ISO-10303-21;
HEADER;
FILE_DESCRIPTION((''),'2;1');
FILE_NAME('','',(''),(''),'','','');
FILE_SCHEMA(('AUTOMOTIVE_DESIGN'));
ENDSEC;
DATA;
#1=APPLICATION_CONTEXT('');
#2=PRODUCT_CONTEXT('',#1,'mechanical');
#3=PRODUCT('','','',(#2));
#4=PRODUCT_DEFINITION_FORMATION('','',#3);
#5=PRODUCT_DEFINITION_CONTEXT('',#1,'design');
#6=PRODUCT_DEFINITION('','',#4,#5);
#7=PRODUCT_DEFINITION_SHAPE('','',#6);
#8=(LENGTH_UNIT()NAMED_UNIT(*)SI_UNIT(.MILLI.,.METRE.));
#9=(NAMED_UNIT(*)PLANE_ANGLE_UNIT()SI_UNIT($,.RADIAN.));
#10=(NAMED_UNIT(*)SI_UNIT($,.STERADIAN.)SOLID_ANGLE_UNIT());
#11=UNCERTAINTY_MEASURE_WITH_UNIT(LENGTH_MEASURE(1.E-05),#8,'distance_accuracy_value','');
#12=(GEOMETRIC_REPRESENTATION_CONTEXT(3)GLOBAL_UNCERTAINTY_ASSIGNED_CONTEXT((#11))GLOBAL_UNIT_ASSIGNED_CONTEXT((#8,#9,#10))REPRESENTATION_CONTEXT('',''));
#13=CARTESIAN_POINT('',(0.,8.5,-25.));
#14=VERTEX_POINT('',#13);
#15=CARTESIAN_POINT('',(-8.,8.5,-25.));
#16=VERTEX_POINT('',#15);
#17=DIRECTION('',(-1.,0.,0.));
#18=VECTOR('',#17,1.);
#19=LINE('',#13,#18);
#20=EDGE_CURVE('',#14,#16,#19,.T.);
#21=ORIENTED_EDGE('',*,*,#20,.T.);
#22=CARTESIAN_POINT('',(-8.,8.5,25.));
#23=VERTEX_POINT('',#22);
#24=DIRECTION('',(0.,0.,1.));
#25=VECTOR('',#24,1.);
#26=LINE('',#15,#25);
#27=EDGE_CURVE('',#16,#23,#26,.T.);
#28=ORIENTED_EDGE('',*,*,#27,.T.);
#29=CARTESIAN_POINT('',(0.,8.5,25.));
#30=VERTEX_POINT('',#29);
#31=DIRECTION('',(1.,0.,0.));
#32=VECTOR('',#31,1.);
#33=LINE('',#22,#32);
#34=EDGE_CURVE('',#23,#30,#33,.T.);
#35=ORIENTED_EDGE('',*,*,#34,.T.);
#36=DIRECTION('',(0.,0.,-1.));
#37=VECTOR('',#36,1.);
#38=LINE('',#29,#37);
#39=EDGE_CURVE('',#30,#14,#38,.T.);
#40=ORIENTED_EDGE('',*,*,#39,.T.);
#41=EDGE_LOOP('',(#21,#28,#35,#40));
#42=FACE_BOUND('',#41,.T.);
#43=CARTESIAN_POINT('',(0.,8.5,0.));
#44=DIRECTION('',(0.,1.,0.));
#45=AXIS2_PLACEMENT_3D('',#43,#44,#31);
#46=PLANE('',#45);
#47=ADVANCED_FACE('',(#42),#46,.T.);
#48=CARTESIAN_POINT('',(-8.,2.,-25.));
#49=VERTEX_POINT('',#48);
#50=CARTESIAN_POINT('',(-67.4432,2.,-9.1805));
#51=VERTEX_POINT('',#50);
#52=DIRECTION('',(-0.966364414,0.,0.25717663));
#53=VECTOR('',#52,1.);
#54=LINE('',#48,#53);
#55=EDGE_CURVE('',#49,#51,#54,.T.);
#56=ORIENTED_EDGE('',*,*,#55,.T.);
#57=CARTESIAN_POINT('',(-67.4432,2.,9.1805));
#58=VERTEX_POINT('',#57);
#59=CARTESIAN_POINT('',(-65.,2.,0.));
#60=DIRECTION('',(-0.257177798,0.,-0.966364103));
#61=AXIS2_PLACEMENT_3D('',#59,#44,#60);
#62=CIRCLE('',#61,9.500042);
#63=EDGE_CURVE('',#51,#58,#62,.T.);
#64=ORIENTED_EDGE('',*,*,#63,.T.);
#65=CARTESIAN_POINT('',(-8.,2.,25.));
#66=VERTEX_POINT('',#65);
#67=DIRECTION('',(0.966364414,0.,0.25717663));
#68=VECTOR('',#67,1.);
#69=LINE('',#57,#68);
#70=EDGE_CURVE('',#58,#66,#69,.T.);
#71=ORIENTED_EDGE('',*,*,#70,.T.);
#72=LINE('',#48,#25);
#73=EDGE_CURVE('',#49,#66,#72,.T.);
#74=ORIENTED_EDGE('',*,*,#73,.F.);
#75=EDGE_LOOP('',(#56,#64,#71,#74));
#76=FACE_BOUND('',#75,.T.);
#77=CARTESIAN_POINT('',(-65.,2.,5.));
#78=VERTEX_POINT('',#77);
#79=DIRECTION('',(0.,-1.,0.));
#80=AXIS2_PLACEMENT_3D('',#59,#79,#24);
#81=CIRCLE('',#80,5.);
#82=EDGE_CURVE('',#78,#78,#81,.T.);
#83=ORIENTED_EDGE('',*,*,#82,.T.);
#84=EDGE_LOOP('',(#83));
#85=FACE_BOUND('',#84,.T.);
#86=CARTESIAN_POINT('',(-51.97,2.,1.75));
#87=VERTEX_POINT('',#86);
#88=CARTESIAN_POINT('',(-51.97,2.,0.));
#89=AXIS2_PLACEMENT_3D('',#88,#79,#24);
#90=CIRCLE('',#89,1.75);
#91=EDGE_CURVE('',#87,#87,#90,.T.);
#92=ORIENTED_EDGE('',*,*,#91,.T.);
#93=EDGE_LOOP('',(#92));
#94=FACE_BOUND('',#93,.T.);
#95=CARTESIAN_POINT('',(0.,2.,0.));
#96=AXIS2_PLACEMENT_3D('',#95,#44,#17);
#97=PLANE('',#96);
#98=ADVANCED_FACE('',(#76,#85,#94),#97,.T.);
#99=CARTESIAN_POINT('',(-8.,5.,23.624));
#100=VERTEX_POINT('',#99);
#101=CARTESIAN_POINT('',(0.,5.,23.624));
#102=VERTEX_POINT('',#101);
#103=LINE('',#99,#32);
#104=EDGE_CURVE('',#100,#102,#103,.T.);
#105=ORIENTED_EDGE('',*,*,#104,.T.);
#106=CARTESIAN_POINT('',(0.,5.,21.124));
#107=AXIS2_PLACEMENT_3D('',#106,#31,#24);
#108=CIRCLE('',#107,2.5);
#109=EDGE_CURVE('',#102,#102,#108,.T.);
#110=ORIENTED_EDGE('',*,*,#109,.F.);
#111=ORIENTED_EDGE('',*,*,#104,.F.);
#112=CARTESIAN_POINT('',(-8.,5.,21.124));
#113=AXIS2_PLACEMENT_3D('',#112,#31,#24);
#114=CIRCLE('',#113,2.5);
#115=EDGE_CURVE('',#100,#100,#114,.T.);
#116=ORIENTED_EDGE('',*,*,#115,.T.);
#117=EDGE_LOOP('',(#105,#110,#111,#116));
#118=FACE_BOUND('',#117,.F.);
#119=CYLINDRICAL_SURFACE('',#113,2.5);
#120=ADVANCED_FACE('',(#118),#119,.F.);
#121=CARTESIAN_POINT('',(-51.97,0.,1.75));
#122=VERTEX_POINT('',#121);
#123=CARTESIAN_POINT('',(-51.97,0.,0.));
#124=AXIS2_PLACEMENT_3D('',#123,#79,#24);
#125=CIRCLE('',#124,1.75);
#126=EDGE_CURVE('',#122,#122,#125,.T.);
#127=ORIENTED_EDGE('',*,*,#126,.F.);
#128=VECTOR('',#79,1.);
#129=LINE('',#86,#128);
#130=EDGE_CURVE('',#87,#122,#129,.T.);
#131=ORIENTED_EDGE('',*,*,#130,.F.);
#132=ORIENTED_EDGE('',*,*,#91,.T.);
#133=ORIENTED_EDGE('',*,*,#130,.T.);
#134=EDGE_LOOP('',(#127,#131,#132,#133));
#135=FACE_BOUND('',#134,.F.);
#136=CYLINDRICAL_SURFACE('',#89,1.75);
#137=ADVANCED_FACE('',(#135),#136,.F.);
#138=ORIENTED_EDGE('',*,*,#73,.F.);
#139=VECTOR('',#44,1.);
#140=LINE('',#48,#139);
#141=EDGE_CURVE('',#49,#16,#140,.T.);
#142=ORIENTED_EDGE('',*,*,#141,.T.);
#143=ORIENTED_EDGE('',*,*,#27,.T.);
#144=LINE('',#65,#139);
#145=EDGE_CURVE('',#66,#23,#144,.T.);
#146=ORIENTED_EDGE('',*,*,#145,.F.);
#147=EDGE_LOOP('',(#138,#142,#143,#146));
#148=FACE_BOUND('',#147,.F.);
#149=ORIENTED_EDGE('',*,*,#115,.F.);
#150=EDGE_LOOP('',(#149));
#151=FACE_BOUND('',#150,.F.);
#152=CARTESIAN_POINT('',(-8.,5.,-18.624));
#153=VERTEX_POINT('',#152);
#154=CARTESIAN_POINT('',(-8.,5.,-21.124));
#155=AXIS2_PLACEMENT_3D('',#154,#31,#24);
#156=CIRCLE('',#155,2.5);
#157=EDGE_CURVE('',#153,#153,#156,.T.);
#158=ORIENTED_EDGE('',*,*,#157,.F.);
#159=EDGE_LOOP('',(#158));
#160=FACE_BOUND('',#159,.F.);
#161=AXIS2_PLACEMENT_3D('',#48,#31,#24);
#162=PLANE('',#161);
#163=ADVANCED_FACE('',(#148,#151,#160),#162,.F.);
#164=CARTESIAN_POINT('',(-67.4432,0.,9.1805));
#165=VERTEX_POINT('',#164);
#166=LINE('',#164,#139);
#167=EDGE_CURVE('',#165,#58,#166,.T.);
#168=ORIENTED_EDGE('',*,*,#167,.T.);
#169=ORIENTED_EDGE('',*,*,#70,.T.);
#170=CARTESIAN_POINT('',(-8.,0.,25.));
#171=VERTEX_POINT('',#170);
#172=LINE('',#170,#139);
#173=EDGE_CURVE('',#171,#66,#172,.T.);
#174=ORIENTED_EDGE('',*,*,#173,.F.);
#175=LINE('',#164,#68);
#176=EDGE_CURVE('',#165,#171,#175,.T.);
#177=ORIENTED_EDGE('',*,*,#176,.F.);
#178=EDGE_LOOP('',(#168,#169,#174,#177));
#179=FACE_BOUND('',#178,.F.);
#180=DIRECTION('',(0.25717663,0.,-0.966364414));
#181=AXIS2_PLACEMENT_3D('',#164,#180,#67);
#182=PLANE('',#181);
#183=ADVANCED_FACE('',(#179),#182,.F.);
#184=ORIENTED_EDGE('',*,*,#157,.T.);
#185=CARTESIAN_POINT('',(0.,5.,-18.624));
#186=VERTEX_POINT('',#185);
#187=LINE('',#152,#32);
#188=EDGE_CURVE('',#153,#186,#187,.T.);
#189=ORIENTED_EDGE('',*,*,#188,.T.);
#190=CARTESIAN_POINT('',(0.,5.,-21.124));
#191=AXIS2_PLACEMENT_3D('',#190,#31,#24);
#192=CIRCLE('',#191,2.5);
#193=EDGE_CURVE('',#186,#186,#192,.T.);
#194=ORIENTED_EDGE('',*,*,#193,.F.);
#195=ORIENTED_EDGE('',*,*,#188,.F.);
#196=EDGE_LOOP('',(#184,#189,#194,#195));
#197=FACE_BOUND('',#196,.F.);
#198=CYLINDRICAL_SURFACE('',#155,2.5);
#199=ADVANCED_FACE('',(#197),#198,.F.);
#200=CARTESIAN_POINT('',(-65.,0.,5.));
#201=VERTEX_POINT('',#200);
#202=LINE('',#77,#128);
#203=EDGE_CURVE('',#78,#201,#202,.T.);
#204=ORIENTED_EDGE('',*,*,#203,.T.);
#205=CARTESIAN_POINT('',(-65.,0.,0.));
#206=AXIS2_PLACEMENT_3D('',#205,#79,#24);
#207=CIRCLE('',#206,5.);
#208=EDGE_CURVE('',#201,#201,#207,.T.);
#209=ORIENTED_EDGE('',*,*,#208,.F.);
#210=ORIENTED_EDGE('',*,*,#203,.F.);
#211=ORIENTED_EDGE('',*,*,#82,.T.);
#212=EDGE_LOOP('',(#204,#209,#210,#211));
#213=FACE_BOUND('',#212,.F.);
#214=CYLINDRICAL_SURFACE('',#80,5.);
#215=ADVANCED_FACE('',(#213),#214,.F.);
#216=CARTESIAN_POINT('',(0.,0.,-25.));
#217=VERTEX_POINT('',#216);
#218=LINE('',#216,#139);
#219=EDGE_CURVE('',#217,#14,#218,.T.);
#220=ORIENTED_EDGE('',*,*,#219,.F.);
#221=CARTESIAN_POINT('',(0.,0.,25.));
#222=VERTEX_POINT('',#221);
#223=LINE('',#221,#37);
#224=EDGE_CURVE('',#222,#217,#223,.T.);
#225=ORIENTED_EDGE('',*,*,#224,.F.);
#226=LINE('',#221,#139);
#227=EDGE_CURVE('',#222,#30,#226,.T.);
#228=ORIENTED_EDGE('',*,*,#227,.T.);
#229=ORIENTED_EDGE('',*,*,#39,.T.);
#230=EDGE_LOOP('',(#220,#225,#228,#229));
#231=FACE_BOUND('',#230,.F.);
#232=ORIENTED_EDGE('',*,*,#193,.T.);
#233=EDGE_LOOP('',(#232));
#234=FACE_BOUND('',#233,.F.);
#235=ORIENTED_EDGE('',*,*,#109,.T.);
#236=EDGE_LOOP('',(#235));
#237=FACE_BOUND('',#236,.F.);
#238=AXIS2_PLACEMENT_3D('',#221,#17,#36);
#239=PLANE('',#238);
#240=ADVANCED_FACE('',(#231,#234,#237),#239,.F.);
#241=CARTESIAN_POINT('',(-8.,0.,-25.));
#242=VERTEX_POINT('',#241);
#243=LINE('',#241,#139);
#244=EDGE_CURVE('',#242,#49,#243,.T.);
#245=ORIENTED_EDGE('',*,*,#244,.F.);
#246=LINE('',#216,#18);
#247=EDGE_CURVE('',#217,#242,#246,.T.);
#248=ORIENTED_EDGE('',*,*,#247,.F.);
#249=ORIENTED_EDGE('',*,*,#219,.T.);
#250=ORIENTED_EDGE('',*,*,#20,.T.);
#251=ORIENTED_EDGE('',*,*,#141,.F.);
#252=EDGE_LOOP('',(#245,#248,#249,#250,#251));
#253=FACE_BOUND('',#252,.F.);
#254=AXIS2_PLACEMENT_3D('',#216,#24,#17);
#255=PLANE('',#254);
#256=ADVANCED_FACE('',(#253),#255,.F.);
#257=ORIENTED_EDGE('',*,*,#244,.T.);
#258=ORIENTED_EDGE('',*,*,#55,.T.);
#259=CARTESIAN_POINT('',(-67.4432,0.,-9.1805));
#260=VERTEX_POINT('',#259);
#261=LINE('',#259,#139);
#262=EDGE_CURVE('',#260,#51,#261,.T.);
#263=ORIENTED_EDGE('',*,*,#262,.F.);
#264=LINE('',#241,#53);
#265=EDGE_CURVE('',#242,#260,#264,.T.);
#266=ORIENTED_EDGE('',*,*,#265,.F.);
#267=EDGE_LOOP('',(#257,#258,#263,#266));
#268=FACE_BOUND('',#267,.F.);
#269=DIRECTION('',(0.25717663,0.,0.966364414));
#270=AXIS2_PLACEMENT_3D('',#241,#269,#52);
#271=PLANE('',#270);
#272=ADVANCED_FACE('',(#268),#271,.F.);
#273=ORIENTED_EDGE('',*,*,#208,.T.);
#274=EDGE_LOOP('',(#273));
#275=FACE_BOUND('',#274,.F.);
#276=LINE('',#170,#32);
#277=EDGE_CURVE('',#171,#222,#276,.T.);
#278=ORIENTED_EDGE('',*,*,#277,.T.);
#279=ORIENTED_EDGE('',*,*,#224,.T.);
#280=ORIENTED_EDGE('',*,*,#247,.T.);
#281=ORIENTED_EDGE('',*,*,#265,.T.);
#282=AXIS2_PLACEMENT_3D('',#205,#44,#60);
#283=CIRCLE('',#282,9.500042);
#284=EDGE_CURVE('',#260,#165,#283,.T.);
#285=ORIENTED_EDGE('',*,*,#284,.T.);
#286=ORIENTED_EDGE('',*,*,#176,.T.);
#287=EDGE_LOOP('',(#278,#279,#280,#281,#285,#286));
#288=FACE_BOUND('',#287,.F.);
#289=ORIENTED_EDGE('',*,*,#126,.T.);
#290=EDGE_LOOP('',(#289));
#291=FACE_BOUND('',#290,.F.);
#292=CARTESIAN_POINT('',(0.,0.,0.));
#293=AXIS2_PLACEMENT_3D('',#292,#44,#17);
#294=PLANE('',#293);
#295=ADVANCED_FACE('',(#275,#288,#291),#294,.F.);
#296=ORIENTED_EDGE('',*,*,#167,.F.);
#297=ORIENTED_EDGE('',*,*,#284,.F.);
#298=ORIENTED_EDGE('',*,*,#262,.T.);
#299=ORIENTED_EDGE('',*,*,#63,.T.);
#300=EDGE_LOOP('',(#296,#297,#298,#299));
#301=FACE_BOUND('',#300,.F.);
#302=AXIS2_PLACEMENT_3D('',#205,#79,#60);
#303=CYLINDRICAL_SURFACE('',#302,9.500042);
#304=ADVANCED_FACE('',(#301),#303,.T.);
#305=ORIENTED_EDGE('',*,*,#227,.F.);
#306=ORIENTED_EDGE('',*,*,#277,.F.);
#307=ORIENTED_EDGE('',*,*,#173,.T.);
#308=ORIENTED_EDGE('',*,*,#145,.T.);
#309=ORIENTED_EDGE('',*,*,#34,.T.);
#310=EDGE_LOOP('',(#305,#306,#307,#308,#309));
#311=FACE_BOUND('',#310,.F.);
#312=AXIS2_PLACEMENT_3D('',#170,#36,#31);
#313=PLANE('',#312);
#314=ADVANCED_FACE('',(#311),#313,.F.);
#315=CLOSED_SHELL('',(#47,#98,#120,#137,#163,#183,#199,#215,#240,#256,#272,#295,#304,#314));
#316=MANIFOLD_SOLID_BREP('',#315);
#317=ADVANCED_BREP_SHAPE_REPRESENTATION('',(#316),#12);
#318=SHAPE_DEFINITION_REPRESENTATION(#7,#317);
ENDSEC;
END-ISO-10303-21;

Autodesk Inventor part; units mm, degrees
ref_plane "YZ Plane" through (0, 0, 0) normal (1, 0, 0) x (0, 1, 0)
ref_plane "XZ Plane" through (0, 0, 0) normal (0, 1, 0) x (-1, 0, 0)
ref_plane "XY Plane" through (0, 0, 0) normal (0, 0, 1) x (1, 0, 0)
sketch "Skizze1" plane through (0, 0, 0) normal (0, 1, 0) x (-1, 0, 0)
  line L0 (0, 25) -> (0, -25)
  line L1 (0, -25) -> (8, -25)
  line L2 (8, -25) -> (67.4432, -9.1805)
  arc A0 (67.4432, -9.1805) -> (67.4432, 9.1805) centre (65, 0) ccw
  line L3 (67.4432, 9.1805) -> (8, 25)
  line L4 (8, 25) -> (0, 25)
  line L5 (0, 0) -> (65, 0) construction
  dimension "d0" = 9.5
  dimension "d1" = 50
  dimension "d2" = 8
  dimension "d3" = 65
extrude "Extrusion1" add sketch "Skizze1" along normal blind 2
sketch "Skizze2" plane through (0, 2, 0) normal (0, 1, 0) x (1, 0, 0)
  line L0 (-67.4432, -9.1805) -> (-8, -25) projected
  line L1 (0, 25) -> (-8, 25) projected
  line L2 (-8, -25) -> (0, -25)
  line L3 (0, -25) -> (0, 25)
  line L4 (0, 25) -> (-8, 25)
  line L5 (-8, 25) -> (-8, -25)
  point P0 (0, 0)
  point P1 (-8, 25)
extrude "Extrusion2" add sketch "Skizze2" along normal blind 6.5
sketch "Skizze3" plane through (-8, 2, -25) normal (-1, 0, 0) x (0, 0, 1)
  line L0 (50, -2) -> (0, -2) projected
  line L1 (0, 6.5) -> (50, 6.5) projected
  line L2 (25, 6.5) -> (25, -12.2708) construction
  point P0 (25, -2)
  point P1 (46.124, 3)
  point P2 (3.876, 3)
  dimension "d15" = 5
  dimension "d33" = 42.248
hole "Bohrung1" at (-8, 5, 21.124) at (-8, 5, -21.124) direction (1, 0, 0) diameter 5 depth 8
sketch "Skizze4" plane through (0, 2, 0) normal (0, 1, 0) x (1, 0, 0)
  arc A0 (-67.4432, 9.1805) -> (-67.4432, -9.1805) centre (-65, 0) ccw projected
  point P0 (0, 0)
hole "Bohrung2" at (-65, 2, 0) direction (0, -1, 0) diameter 10 depth 2
sketch "Skizze5" plane through (0, 2, 0) normal (0, 1, 0) x (1, 0, 0)
  arc A0 (-67.4432, 9.1805) -> (-67.4432, -9.1805) centre (-65, 0) ccw projected
  point P0 (0, 0)
  point P1 (-51.97, 0)
  point P2 (-74.5, 0)
  dimension "d32" = 13.03
hole "Bohrung3" at (-51.97, 2, 0) direction (0, -1, 0) diameter 3.5 depth 2
properties part number "05" material "Aluminium 6061"
